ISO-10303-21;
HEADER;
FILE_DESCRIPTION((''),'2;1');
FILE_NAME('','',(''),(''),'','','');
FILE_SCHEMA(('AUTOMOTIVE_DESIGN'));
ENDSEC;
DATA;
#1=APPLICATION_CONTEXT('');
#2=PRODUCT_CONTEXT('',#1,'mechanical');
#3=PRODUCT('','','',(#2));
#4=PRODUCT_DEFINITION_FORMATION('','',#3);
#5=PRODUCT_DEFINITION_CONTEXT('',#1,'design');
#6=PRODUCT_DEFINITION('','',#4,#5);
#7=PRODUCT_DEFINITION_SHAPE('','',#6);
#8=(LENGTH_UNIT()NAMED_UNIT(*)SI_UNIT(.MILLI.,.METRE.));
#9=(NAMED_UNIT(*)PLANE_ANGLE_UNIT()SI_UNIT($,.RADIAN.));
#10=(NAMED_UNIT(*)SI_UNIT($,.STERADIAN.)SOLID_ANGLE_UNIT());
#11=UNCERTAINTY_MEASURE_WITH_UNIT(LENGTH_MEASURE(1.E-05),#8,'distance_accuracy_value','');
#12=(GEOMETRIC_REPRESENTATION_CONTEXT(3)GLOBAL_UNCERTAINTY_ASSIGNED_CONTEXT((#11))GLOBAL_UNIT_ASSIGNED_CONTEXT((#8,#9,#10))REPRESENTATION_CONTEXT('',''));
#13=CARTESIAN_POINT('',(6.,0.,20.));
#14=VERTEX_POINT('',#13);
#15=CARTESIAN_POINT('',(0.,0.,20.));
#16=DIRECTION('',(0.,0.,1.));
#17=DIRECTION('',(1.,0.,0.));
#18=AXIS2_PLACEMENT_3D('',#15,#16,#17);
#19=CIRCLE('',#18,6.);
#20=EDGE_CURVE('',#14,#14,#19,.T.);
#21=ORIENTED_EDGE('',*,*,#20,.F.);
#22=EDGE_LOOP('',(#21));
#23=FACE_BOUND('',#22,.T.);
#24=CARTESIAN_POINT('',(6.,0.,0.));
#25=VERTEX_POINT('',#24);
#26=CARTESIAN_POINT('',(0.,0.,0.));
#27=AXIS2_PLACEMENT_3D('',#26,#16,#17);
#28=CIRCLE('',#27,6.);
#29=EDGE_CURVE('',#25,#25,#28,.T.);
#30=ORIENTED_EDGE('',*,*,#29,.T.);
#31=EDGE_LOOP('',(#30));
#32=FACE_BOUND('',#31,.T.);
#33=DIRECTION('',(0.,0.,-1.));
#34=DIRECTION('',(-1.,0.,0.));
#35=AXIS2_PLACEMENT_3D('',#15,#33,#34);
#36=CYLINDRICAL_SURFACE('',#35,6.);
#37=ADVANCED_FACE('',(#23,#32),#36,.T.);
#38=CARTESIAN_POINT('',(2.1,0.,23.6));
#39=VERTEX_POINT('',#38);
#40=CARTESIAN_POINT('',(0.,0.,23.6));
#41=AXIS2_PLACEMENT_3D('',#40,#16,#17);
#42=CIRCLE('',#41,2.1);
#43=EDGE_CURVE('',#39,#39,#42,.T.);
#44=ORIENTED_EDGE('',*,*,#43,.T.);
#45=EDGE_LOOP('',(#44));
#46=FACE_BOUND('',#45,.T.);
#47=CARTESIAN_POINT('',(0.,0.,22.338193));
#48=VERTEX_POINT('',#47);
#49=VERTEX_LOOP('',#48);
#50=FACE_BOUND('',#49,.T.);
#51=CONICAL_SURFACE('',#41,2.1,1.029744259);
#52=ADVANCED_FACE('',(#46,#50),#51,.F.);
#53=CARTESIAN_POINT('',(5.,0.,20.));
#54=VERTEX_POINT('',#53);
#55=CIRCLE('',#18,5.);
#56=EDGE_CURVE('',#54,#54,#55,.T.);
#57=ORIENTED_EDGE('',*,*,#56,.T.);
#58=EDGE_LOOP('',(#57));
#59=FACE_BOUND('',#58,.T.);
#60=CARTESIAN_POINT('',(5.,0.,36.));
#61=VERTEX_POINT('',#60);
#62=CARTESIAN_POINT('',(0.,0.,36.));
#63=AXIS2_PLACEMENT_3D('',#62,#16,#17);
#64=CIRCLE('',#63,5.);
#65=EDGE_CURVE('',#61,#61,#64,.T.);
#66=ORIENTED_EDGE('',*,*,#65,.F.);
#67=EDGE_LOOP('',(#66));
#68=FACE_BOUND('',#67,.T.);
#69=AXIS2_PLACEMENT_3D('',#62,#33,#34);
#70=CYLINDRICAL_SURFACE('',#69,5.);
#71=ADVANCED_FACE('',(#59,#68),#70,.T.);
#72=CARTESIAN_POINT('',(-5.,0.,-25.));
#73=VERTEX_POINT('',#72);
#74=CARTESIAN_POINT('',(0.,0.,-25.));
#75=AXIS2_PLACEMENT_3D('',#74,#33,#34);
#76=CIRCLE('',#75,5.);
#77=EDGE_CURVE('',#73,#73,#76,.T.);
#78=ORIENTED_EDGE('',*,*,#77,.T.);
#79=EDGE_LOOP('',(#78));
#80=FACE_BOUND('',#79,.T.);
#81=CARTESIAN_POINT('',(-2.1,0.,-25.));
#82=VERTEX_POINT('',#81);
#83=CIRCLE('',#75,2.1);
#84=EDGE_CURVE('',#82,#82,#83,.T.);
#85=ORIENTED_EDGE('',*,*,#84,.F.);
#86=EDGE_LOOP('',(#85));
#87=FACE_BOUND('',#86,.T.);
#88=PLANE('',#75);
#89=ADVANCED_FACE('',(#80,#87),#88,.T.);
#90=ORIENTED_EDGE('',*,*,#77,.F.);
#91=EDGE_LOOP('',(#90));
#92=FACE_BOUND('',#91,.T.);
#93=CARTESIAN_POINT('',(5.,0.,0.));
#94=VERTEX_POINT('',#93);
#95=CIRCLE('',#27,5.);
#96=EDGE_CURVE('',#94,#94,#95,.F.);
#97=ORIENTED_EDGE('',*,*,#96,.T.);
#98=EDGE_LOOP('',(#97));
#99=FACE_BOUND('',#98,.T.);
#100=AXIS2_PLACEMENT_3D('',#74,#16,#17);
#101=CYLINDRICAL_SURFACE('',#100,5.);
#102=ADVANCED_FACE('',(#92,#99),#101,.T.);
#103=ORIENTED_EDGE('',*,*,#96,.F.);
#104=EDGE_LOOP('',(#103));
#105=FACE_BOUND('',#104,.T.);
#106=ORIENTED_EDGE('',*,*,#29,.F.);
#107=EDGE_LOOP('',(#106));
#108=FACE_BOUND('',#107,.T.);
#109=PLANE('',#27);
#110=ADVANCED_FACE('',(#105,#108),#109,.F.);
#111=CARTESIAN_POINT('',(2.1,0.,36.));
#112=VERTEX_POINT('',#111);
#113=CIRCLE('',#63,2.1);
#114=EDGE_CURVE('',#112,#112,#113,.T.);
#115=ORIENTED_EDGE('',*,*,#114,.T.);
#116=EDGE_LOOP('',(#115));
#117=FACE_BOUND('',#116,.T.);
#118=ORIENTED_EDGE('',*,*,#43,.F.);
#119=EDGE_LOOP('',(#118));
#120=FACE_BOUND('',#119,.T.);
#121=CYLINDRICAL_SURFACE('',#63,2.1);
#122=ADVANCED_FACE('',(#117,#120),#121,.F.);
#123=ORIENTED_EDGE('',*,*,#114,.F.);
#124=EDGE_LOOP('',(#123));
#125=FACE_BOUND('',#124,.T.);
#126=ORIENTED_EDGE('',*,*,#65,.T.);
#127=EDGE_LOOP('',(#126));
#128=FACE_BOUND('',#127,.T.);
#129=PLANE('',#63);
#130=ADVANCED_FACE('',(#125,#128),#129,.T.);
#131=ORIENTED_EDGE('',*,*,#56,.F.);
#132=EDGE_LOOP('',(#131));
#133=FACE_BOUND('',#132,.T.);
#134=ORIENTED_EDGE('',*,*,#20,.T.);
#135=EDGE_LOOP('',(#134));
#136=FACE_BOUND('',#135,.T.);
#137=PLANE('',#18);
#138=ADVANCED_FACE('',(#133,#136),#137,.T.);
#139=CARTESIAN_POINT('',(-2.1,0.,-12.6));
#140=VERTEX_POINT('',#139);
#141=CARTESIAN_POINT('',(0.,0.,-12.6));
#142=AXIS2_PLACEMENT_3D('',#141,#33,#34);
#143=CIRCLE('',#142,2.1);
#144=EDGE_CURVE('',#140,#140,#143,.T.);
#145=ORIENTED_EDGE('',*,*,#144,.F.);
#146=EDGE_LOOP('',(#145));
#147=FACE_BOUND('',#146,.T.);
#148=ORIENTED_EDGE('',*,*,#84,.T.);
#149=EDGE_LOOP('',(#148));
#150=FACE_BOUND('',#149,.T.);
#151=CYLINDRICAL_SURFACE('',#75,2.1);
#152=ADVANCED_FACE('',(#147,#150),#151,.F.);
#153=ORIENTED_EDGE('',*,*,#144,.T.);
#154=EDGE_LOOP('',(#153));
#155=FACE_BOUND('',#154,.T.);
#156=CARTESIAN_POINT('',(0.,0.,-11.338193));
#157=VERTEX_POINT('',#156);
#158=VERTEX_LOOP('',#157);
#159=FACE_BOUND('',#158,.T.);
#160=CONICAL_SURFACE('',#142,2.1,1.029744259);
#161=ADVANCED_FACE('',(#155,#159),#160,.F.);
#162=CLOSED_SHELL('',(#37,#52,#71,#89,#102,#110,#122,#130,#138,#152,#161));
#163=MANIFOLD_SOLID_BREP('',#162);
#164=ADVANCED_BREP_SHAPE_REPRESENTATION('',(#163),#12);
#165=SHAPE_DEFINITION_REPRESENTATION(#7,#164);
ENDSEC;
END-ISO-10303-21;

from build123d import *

# Parameters (mm, degrees)
SKETCH_1_R             = 6
EXTRUDE_1_DEPTH        = 20
SKETCH_2_R             = 5
EXTRUDE_2_DEPTH        = 16
EXTRUDE_START          = 25
SKETCH_3_R             = 5
EXTRUDE_3_DEPTH        = 25
HOLE_WIZARD_M5_1_D     = 4.2
HOLE_WIZARD_M5_1_DEPTH = 12.4
HOLE_WIZARD_M5_1_TIP   = 1.2618073
HOLE_WIZARD_M5_2_D     = 4.2
HOLE_WIZARD_M5_2_DEPTH = 12.4
HOLE_WIZARD_M5_2_TIP   = 1.2618073


with BuildPart() as part:
    # 草图1 → 凸台-拉伸1 (new body)
    with BuildSketch(Plane.XY):
        Circle(SKETCH_1_R)
    extrude(amount=EXTRUDE_1_DEPTH)

    # 草图2 → 凸台-拉伸2 (add)
    with BuildSketch(Plane.XY.offset(20)):
        Circle(SKETCH_2_R)
    extrude(amount=EXTRUDE_2_DEPTH)

    # 草图3 → 凸台-拉伸3 (add)
    with BuildSketch(Plane(origin=(0, 0, 0), x_dir=(-1, 0, 0), z_dir=(0, 0, -1)).offset(EXTRUDE_START)):
        with Locations(Location((0, 0, 0), (0, 0, 180))):
            Circle(SKETCH_3_R)
    extrude(amount=-EXTRUDE_3_DEPTH)

    # M5 螺纹孔1
    with Locations(Plane(origin=(0, 0, -25), x_dir=(-1, 0, 0), z_dir=(0, 0, -1))):
        with Locations((0, 0)):
            Hole(HOLE_WIZARD_M5_1_D / 2, depth=HOLE_WIZARD_M5_1_DEPTH)
            with Locations((0, 0, -(HOLE_WIZARD_M5_1_DEPTH + HOLE_WIZARD_M5_1_TIP / 2))):  # 118° drill point
                Cone(0, HOLE_WIZARD_M5_1_D / 2, HOLE_WIZARD_M5_1_TIP, mode=Mode.SUBTRACT)

    # M5 螺纹孔2
    with Locations(Plane.XY.offset(36)):
        with Locations((0, 0)):
            Hole(HOLE_WIZARD_M5_2_D / 2, depth=HOLE_WIZARD_M5_2_DEPTH)
            with Locations((0, 0, -(HOLE_WIZARD_M5_2_DEPTH + HOLE_WIZARD_M5_2_TIP / 2))):  # 118° drill point
                Cone(0, HOLE_WIZARD_M5_2_D / 2, HOLE_WIZARD_M5_2_TIP, mode=Mode.SUBTRACT)


solid = part.part
